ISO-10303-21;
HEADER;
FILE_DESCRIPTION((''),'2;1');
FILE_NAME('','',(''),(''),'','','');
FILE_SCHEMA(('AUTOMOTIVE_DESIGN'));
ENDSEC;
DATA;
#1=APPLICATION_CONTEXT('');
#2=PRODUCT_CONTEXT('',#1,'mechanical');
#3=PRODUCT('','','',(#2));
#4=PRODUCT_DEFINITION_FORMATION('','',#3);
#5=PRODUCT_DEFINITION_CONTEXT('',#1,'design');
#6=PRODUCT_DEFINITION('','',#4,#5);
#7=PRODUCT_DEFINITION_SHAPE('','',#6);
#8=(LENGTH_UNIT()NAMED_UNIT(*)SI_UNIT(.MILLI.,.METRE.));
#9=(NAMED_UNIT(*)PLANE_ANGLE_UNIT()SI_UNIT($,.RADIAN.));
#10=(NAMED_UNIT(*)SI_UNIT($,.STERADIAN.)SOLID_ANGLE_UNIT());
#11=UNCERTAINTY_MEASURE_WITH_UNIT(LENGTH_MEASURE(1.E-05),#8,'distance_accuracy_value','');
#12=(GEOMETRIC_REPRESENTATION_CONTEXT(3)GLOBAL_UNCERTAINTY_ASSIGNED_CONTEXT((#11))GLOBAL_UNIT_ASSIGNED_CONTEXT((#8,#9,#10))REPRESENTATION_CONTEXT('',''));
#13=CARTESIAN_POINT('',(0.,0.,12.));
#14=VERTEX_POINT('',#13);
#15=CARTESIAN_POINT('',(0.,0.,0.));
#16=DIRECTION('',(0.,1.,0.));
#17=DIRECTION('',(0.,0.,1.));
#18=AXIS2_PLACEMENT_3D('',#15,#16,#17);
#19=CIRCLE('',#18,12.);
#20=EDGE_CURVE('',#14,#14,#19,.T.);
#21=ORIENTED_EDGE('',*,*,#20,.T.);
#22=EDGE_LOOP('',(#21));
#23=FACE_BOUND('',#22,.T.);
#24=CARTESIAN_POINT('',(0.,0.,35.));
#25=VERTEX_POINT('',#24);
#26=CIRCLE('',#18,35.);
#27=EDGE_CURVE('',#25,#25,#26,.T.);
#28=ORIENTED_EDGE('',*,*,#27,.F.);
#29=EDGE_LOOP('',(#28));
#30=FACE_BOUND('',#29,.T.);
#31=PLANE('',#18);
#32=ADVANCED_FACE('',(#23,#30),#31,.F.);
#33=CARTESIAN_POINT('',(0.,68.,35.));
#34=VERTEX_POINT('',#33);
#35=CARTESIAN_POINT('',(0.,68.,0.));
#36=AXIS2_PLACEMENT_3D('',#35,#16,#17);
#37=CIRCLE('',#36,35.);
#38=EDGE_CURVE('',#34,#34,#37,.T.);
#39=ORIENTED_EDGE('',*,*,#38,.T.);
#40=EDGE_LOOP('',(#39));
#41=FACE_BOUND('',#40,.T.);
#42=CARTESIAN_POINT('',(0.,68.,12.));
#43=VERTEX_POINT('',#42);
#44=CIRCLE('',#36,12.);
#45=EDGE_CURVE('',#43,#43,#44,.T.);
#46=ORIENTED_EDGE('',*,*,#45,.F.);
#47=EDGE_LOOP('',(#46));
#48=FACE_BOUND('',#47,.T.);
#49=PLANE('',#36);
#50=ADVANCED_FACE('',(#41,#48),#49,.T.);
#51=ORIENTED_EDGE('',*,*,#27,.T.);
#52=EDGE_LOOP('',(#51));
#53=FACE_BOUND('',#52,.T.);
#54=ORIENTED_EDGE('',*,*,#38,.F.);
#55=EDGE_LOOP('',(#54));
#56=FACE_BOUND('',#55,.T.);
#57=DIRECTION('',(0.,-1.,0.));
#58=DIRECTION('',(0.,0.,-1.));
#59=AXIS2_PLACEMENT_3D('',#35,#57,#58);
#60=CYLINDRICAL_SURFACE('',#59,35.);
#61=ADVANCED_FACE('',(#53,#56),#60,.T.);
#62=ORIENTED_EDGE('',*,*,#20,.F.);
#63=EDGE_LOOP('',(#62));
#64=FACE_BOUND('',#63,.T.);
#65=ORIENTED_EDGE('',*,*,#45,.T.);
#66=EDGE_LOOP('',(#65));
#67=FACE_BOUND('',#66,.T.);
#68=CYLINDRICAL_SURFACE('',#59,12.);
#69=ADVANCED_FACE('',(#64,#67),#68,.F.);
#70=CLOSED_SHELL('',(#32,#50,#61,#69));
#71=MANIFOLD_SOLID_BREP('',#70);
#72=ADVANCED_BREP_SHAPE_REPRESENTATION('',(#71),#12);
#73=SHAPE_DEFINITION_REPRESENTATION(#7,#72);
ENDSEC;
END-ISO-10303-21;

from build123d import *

# Parameters (mm, degrees)
SKETCH1_R           = 35
SKETCH1_R_2         = 12
BOSS_EXTRUDE1_DEPTH = 68


with BuildPart() as part:
    # Sketch1 → Boss-Extrude1 (new body)
    with BuildSketch(Plane(origin=(0, 0, 0), x_dir=(1, 0, 0), z_dir=(0, 1, 0))):
        Circle(SKETCH1_R)
        Circle(SKETCH1_R_2, mode=Mode.SUBTRACT)
    extrude(amount=BOSS_EXTRUDE1_DEPTH)


solid = part.part
